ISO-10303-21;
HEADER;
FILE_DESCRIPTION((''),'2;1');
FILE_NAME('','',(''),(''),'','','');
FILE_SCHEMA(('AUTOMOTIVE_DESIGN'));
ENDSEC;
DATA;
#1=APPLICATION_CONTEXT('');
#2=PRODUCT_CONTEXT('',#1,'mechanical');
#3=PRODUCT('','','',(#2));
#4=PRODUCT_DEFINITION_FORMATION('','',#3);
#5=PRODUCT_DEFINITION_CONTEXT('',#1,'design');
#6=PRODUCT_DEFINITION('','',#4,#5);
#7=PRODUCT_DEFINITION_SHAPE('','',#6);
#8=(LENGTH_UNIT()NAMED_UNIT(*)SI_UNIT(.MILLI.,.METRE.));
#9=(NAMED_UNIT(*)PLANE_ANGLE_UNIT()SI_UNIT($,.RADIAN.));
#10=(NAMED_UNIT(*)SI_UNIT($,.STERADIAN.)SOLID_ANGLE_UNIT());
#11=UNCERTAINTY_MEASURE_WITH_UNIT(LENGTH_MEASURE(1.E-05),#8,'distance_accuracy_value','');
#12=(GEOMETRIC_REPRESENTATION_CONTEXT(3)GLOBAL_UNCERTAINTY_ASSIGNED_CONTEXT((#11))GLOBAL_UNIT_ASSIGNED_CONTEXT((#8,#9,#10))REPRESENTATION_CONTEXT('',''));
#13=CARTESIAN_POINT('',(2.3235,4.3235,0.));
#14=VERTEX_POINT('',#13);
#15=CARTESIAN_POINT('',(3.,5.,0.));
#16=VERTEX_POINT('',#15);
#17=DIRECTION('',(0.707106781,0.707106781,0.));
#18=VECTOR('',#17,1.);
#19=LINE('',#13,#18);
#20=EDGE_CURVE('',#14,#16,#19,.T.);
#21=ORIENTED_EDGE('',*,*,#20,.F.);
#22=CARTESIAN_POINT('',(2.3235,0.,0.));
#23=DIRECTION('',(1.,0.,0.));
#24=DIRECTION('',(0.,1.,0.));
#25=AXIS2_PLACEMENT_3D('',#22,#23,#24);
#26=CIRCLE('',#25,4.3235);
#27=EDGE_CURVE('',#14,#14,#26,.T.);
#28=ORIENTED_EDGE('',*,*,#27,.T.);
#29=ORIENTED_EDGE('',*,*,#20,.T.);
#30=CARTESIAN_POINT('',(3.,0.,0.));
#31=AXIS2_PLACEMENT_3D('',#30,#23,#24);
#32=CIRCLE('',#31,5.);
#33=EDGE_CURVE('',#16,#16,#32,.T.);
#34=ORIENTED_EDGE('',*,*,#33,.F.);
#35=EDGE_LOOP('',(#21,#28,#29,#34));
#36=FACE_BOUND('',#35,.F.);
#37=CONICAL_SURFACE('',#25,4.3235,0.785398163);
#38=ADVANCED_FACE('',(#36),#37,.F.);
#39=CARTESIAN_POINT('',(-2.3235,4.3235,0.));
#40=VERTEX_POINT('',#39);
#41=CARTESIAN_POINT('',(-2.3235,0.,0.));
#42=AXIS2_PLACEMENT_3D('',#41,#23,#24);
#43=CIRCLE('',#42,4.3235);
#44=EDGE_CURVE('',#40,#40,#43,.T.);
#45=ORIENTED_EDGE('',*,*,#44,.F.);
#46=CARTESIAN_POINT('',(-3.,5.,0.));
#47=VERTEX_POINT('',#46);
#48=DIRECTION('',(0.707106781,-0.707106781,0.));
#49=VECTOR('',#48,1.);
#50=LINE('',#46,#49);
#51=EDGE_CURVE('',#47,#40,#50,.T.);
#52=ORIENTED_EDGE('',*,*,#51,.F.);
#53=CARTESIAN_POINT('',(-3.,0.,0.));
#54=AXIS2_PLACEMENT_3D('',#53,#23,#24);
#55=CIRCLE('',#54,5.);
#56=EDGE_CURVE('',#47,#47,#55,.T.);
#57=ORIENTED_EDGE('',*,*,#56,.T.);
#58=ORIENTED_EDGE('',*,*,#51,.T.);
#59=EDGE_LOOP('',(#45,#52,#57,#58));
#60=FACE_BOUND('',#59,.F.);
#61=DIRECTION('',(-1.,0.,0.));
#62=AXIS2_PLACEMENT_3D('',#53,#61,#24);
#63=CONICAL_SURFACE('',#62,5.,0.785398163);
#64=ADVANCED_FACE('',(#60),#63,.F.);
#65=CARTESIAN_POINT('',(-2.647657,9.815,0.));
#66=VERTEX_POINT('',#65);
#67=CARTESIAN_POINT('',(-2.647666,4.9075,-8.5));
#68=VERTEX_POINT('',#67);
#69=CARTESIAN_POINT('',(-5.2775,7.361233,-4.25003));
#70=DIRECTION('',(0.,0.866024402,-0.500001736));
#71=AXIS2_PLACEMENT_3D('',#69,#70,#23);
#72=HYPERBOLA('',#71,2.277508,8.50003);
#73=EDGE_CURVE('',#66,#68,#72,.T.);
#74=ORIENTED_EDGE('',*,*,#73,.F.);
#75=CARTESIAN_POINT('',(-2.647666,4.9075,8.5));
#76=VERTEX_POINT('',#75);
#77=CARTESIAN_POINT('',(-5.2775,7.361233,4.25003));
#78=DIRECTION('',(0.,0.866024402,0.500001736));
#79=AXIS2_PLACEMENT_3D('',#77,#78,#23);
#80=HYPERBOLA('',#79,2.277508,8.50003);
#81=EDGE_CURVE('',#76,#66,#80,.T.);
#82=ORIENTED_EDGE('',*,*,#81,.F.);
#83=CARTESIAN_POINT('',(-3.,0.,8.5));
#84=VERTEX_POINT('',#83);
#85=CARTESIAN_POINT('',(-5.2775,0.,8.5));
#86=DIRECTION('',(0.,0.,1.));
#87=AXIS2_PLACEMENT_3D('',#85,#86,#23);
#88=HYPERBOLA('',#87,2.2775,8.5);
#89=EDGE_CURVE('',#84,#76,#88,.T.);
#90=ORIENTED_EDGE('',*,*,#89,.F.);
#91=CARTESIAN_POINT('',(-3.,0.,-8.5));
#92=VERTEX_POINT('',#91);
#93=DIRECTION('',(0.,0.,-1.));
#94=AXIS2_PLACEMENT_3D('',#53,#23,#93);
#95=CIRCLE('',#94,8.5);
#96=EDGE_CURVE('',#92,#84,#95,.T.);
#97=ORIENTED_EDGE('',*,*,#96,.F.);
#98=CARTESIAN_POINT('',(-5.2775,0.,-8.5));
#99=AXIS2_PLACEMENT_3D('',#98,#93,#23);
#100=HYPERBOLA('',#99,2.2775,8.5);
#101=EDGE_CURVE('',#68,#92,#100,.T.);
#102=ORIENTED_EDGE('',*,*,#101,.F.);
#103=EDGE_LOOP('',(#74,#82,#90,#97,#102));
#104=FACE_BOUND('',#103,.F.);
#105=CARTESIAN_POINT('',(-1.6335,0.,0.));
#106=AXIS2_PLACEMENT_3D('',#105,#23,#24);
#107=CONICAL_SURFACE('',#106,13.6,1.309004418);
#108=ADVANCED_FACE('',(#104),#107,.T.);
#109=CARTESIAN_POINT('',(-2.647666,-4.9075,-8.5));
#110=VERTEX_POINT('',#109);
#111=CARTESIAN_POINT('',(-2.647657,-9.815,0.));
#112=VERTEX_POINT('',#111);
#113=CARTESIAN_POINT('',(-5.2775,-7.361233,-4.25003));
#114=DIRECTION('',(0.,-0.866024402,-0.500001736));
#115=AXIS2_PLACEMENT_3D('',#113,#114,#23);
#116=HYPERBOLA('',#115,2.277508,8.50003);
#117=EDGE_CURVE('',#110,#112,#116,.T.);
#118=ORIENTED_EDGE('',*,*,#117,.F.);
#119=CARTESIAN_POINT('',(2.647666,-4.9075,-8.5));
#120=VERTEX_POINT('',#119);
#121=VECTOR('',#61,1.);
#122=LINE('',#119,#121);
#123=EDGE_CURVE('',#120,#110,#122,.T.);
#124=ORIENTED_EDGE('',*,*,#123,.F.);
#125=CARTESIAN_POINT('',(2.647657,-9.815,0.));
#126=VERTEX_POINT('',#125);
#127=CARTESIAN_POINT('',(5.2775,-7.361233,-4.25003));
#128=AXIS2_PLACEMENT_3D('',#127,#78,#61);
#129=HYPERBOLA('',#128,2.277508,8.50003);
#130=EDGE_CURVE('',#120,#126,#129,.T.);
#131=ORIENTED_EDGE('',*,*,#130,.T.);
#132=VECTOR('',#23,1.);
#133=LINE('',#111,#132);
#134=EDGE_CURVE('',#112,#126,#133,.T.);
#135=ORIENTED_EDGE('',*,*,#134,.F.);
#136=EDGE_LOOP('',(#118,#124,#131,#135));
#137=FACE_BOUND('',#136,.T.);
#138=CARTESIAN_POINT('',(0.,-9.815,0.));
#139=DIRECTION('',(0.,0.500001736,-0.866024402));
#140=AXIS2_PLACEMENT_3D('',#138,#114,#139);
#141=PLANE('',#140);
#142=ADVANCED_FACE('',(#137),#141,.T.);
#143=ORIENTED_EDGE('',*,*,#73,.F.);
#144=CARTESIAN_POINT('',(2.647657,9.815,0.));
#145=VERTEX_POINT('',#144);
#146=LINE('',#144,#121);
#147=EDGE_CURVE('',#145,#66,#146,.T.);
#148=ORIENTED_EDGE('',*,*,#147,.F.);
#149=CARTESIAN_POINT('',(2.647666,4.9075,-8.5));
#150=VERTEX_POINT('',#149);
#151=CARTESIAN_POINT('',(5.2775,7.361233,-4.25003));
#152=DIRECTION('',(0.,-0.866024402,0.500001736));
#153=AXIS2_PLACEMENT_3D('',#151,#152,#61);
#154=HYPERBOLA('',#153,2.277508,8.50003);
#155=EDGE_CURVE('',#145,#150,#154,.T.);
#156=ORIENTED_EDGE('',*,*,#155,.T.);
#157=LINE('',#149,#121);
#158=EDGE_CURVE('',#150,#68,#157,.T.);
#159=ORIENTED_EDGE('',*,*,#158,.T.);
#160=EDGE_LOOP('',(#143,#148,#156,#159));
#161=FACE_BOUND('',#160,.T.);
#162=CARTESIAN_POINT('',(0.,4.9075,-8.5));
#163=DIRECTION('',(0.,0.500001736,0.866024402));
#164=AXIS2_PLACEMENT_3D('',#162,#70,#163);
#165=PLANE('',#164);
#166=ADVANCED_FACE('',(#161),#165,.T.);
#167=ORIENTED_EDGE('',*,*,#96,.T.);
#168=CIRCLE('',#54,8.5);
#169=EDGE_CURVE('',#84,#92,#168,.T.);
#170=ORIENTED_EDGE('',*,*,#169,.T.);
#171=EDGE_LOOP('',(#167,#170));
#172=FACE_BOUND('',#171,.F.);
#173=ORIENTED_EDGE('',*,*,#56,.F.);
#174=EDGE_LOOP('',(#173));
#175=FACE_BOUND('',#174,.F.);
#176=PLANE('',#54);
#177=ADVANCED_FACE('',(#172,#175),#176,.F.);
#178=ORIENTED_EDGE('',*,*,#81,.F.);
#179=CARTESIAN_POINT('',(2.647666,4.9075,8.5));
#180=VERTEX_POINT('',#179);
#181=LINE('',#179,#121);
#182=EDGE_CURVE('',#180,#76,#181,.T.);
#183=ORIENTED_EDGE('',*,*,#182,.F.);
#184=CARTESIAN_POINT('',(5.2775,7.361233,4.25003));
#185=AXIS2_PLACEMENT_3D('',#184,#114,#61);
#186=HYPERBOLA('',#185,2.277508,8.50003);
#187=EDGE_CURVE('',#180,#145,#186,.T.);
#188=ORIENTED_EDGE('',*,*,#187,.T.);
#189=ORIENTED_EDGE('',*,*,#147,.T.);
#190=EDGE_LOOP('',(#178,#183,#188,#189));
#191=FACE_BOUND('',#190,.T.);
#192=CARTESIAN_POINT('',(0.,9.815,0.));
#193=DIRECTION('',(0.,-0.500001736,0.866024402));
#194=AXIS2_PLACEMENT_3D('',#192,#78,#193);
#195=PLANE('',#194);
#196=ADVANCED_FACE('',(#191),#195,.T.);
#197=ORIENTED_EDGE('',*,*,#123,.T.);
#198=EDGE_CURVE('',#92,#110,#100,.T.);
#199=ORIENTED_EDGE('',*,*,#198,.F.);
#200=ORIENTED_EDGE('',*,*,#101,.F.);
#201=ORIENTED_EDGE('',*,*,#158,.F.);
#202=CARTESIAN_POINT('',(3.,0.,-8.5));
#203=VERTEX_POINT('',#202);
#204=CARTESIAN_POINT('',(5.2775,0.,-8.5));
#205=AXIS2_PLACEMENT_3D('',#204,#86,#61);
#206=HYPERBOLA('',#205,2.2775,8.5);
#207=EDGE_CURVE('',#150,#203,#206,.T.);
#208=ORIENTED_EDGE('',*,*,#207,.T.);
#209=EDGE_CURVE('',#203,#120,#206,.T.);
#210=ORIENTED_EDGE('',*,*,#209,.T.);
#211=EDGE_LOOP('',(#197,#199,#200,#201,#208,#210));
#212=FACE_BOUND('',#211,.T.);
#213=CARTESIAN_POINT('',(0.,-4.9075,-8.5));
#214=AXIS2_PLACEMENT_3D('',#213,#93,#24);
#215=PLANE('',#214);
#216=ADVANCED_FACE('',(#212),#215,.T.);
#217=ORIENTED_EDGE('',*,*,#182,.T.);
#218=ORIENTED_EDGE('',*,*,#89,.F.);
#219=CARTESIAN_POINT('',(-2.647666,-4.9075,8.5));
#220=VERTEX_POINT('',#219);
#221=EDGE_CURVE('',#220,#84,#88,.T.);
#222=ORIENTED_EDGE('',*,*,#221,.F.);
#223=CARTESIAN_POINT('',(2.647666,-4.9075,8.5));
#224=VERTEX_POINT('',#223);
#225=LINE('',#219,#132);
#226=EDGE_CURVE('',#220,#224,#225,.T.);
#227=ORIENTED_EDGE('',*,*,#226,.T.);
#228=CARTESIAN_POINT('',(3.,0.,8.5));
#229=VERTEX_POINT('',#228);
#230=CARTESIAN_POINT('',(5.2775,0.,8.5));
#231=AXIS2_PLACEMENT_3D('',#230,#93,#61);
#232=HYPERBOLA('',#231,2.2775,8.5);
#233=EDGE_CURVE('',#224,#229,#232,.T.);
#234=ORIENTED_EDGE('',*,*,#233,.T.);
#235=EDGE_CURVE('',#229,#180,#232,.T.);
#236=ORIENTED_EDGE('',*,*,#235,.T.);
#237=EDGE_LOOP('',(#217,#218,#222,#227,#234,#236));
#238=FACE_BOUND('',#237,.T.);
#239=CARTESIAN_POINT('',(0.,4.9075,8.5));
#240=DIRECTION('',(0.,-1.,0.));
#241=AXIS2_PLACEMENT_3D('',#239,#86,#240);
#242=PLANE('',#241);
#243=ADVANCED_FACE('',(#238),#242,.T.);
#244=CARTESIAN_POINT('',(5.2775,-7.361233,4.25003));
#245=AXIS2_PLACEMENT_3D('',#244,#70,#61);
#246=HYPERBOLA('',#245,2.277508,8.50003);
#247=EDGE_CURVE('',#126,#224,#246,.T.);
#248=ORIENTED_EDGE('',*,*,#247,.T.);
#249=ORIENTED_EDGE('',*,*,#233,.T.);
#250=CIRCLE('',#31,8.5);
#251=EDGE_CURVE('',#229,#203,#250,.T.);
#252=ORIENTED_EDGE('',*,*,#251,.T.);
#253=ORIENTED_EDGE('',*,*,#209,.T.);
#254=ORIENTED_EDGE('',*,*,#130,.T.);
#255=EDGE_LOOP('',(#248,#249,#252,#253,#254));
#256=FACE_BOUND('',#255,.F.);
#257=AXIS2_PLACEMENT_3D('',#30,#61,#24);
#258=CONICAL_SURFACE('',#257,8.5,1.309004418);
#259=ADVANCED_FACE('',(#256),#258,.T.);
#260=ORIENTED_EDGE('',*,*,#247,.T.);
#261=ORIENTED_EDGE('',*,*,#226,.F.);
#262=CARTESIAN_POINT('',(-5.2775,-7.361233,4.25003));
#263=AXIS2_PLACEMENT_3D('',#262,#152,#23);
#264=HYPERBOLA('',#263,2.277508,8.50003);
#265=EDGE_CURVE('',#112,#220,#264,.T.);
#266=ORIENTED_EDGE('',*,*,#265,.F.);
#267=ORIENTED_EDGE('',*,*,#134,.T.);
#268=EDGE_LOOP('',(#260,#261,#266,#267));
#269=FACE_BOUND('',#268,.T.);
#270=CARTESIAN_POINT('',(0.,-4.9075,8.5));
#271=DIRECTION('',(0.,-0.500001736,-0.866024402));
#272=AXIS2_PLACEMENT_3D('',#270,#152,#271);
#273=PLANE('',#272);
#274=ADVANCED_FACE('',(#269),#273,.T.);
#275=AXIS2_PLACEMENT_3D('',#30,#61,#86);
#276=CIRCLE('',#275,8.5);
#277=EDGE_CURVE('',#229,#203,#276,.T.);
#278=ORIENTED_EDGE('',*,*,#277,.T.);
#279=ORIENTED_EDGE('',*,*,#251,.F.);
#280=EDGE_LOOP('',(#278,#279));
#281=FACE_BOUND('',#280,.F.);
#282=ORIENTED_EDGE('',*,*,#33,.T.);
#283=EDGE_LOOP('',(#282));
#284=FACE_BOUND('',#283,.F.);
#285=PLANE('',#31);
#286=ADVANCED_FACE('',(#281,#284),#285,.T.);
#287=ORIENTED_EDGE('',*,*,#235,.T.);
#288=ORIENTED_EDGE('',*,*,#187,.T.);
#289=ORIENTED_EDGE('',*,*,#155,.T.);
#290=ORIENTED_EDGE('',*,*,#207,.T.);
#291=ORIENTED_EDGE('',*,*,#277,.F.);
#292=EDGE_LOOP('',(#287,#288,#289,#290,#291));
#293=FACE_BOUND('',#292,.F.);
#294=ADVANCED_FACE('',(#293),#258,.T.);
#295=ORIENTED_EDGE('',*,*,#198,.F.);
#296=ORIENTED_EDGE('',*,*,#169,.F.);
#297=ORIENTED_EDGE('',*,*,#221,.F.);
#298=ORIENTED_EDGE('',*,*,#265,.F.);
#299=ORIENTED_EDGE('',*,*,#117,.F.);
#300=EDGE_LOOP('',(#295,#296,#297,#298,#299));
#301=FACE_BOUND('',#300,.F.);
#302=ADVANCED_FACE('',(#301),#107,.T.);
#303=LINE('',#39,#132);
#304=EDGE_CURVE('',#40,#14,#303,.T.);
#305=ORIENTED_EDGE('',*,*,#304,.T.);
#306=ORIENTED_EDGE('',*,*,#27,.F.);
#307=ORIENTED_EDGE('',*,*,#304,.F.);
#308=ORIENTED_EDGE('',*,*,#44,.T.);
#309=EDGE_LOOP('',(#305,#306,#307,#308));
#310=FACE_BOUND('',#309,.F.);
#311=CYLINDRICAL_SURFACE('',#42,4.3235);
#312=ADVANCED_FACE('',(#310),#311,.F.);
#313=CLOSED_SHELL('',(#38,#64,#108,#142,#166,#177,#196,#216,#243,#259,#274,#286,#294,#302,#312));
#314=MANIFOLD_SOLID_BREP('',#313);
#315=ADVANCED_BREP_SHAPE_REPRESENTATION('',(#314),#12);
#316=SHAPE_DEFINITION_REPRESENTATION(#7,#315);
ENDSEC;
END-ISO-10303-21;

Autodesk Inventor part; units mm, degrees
sketch "Sketch_1" plane through (0, 0, 0) normal (0, 0, 1) x (1, 0, 0)
  line L0 (3, 0) -> (-3, 0)
  line L1 (-3, 8.5) -> (-3, 5)
  line L2 (-3, 5) -> (-2.3235, 4.3235)
  line L3 (-2.3235, 4.3235) -> (2.3235, 4.3235)
  line L4 (2.3235, 4.3235) -> (3, 5)
  line L5 (3, 5) -> (3, 8.5)
  line L6 (3, 8.5) -> (1.6335, 13.6)
  line L7 (1.6335, 13.6) -> (-1.6335, 13.6)
  line L8 (-1.6335, 13.6) -> (-3, 8.5)
revolve "Revolution1" add sketch "Sketch_1" angle 360 about axis through (3, 0, 0) along (1, 0, 0)
thread "Thread1" size "M10x1.25" class "6H" standard "ISO Metric profile" full length
sketch "Sketch_2" plane through (0, 0, 0) normal (1, 0, 0) x (0, 1, 0)
  circle A0 centre (0, 0) radius 17
  line L0 (-4.9075, 8.5) -> (-9.815, 0)
  line L1 (-9.815, 0) -> (-4.9075, -8.5)
  line L2 (-4.9075, -8.5) -> (4.9075, -8.5)
  line L3 (4.9075, -8.5) -> (9.815, 0)
  line L4 (9.815, 0) -> (4.9075, 8.5)
  line L5 (4.9075, 8.5) -> (-4.9075, 8.5)
extrude "Extrusion1" cut sketch "Sketch_2" along normal mid plane 12
ref_plane "NUT_ROD_XY" through (0, 0, 0) normal (1, 0, 0) x (0, 0, -1)
ref_plane "NUT_ROD_YZ" through (0, 0, 0) normal (0, 0, -1) x (0, 1, 0)
ref_plane "NUT_ROD_ZX" through (0, 0, 0) normal (0, 1, 0) x (1, 0, 0)
properties part number "NT-03_CQS"
